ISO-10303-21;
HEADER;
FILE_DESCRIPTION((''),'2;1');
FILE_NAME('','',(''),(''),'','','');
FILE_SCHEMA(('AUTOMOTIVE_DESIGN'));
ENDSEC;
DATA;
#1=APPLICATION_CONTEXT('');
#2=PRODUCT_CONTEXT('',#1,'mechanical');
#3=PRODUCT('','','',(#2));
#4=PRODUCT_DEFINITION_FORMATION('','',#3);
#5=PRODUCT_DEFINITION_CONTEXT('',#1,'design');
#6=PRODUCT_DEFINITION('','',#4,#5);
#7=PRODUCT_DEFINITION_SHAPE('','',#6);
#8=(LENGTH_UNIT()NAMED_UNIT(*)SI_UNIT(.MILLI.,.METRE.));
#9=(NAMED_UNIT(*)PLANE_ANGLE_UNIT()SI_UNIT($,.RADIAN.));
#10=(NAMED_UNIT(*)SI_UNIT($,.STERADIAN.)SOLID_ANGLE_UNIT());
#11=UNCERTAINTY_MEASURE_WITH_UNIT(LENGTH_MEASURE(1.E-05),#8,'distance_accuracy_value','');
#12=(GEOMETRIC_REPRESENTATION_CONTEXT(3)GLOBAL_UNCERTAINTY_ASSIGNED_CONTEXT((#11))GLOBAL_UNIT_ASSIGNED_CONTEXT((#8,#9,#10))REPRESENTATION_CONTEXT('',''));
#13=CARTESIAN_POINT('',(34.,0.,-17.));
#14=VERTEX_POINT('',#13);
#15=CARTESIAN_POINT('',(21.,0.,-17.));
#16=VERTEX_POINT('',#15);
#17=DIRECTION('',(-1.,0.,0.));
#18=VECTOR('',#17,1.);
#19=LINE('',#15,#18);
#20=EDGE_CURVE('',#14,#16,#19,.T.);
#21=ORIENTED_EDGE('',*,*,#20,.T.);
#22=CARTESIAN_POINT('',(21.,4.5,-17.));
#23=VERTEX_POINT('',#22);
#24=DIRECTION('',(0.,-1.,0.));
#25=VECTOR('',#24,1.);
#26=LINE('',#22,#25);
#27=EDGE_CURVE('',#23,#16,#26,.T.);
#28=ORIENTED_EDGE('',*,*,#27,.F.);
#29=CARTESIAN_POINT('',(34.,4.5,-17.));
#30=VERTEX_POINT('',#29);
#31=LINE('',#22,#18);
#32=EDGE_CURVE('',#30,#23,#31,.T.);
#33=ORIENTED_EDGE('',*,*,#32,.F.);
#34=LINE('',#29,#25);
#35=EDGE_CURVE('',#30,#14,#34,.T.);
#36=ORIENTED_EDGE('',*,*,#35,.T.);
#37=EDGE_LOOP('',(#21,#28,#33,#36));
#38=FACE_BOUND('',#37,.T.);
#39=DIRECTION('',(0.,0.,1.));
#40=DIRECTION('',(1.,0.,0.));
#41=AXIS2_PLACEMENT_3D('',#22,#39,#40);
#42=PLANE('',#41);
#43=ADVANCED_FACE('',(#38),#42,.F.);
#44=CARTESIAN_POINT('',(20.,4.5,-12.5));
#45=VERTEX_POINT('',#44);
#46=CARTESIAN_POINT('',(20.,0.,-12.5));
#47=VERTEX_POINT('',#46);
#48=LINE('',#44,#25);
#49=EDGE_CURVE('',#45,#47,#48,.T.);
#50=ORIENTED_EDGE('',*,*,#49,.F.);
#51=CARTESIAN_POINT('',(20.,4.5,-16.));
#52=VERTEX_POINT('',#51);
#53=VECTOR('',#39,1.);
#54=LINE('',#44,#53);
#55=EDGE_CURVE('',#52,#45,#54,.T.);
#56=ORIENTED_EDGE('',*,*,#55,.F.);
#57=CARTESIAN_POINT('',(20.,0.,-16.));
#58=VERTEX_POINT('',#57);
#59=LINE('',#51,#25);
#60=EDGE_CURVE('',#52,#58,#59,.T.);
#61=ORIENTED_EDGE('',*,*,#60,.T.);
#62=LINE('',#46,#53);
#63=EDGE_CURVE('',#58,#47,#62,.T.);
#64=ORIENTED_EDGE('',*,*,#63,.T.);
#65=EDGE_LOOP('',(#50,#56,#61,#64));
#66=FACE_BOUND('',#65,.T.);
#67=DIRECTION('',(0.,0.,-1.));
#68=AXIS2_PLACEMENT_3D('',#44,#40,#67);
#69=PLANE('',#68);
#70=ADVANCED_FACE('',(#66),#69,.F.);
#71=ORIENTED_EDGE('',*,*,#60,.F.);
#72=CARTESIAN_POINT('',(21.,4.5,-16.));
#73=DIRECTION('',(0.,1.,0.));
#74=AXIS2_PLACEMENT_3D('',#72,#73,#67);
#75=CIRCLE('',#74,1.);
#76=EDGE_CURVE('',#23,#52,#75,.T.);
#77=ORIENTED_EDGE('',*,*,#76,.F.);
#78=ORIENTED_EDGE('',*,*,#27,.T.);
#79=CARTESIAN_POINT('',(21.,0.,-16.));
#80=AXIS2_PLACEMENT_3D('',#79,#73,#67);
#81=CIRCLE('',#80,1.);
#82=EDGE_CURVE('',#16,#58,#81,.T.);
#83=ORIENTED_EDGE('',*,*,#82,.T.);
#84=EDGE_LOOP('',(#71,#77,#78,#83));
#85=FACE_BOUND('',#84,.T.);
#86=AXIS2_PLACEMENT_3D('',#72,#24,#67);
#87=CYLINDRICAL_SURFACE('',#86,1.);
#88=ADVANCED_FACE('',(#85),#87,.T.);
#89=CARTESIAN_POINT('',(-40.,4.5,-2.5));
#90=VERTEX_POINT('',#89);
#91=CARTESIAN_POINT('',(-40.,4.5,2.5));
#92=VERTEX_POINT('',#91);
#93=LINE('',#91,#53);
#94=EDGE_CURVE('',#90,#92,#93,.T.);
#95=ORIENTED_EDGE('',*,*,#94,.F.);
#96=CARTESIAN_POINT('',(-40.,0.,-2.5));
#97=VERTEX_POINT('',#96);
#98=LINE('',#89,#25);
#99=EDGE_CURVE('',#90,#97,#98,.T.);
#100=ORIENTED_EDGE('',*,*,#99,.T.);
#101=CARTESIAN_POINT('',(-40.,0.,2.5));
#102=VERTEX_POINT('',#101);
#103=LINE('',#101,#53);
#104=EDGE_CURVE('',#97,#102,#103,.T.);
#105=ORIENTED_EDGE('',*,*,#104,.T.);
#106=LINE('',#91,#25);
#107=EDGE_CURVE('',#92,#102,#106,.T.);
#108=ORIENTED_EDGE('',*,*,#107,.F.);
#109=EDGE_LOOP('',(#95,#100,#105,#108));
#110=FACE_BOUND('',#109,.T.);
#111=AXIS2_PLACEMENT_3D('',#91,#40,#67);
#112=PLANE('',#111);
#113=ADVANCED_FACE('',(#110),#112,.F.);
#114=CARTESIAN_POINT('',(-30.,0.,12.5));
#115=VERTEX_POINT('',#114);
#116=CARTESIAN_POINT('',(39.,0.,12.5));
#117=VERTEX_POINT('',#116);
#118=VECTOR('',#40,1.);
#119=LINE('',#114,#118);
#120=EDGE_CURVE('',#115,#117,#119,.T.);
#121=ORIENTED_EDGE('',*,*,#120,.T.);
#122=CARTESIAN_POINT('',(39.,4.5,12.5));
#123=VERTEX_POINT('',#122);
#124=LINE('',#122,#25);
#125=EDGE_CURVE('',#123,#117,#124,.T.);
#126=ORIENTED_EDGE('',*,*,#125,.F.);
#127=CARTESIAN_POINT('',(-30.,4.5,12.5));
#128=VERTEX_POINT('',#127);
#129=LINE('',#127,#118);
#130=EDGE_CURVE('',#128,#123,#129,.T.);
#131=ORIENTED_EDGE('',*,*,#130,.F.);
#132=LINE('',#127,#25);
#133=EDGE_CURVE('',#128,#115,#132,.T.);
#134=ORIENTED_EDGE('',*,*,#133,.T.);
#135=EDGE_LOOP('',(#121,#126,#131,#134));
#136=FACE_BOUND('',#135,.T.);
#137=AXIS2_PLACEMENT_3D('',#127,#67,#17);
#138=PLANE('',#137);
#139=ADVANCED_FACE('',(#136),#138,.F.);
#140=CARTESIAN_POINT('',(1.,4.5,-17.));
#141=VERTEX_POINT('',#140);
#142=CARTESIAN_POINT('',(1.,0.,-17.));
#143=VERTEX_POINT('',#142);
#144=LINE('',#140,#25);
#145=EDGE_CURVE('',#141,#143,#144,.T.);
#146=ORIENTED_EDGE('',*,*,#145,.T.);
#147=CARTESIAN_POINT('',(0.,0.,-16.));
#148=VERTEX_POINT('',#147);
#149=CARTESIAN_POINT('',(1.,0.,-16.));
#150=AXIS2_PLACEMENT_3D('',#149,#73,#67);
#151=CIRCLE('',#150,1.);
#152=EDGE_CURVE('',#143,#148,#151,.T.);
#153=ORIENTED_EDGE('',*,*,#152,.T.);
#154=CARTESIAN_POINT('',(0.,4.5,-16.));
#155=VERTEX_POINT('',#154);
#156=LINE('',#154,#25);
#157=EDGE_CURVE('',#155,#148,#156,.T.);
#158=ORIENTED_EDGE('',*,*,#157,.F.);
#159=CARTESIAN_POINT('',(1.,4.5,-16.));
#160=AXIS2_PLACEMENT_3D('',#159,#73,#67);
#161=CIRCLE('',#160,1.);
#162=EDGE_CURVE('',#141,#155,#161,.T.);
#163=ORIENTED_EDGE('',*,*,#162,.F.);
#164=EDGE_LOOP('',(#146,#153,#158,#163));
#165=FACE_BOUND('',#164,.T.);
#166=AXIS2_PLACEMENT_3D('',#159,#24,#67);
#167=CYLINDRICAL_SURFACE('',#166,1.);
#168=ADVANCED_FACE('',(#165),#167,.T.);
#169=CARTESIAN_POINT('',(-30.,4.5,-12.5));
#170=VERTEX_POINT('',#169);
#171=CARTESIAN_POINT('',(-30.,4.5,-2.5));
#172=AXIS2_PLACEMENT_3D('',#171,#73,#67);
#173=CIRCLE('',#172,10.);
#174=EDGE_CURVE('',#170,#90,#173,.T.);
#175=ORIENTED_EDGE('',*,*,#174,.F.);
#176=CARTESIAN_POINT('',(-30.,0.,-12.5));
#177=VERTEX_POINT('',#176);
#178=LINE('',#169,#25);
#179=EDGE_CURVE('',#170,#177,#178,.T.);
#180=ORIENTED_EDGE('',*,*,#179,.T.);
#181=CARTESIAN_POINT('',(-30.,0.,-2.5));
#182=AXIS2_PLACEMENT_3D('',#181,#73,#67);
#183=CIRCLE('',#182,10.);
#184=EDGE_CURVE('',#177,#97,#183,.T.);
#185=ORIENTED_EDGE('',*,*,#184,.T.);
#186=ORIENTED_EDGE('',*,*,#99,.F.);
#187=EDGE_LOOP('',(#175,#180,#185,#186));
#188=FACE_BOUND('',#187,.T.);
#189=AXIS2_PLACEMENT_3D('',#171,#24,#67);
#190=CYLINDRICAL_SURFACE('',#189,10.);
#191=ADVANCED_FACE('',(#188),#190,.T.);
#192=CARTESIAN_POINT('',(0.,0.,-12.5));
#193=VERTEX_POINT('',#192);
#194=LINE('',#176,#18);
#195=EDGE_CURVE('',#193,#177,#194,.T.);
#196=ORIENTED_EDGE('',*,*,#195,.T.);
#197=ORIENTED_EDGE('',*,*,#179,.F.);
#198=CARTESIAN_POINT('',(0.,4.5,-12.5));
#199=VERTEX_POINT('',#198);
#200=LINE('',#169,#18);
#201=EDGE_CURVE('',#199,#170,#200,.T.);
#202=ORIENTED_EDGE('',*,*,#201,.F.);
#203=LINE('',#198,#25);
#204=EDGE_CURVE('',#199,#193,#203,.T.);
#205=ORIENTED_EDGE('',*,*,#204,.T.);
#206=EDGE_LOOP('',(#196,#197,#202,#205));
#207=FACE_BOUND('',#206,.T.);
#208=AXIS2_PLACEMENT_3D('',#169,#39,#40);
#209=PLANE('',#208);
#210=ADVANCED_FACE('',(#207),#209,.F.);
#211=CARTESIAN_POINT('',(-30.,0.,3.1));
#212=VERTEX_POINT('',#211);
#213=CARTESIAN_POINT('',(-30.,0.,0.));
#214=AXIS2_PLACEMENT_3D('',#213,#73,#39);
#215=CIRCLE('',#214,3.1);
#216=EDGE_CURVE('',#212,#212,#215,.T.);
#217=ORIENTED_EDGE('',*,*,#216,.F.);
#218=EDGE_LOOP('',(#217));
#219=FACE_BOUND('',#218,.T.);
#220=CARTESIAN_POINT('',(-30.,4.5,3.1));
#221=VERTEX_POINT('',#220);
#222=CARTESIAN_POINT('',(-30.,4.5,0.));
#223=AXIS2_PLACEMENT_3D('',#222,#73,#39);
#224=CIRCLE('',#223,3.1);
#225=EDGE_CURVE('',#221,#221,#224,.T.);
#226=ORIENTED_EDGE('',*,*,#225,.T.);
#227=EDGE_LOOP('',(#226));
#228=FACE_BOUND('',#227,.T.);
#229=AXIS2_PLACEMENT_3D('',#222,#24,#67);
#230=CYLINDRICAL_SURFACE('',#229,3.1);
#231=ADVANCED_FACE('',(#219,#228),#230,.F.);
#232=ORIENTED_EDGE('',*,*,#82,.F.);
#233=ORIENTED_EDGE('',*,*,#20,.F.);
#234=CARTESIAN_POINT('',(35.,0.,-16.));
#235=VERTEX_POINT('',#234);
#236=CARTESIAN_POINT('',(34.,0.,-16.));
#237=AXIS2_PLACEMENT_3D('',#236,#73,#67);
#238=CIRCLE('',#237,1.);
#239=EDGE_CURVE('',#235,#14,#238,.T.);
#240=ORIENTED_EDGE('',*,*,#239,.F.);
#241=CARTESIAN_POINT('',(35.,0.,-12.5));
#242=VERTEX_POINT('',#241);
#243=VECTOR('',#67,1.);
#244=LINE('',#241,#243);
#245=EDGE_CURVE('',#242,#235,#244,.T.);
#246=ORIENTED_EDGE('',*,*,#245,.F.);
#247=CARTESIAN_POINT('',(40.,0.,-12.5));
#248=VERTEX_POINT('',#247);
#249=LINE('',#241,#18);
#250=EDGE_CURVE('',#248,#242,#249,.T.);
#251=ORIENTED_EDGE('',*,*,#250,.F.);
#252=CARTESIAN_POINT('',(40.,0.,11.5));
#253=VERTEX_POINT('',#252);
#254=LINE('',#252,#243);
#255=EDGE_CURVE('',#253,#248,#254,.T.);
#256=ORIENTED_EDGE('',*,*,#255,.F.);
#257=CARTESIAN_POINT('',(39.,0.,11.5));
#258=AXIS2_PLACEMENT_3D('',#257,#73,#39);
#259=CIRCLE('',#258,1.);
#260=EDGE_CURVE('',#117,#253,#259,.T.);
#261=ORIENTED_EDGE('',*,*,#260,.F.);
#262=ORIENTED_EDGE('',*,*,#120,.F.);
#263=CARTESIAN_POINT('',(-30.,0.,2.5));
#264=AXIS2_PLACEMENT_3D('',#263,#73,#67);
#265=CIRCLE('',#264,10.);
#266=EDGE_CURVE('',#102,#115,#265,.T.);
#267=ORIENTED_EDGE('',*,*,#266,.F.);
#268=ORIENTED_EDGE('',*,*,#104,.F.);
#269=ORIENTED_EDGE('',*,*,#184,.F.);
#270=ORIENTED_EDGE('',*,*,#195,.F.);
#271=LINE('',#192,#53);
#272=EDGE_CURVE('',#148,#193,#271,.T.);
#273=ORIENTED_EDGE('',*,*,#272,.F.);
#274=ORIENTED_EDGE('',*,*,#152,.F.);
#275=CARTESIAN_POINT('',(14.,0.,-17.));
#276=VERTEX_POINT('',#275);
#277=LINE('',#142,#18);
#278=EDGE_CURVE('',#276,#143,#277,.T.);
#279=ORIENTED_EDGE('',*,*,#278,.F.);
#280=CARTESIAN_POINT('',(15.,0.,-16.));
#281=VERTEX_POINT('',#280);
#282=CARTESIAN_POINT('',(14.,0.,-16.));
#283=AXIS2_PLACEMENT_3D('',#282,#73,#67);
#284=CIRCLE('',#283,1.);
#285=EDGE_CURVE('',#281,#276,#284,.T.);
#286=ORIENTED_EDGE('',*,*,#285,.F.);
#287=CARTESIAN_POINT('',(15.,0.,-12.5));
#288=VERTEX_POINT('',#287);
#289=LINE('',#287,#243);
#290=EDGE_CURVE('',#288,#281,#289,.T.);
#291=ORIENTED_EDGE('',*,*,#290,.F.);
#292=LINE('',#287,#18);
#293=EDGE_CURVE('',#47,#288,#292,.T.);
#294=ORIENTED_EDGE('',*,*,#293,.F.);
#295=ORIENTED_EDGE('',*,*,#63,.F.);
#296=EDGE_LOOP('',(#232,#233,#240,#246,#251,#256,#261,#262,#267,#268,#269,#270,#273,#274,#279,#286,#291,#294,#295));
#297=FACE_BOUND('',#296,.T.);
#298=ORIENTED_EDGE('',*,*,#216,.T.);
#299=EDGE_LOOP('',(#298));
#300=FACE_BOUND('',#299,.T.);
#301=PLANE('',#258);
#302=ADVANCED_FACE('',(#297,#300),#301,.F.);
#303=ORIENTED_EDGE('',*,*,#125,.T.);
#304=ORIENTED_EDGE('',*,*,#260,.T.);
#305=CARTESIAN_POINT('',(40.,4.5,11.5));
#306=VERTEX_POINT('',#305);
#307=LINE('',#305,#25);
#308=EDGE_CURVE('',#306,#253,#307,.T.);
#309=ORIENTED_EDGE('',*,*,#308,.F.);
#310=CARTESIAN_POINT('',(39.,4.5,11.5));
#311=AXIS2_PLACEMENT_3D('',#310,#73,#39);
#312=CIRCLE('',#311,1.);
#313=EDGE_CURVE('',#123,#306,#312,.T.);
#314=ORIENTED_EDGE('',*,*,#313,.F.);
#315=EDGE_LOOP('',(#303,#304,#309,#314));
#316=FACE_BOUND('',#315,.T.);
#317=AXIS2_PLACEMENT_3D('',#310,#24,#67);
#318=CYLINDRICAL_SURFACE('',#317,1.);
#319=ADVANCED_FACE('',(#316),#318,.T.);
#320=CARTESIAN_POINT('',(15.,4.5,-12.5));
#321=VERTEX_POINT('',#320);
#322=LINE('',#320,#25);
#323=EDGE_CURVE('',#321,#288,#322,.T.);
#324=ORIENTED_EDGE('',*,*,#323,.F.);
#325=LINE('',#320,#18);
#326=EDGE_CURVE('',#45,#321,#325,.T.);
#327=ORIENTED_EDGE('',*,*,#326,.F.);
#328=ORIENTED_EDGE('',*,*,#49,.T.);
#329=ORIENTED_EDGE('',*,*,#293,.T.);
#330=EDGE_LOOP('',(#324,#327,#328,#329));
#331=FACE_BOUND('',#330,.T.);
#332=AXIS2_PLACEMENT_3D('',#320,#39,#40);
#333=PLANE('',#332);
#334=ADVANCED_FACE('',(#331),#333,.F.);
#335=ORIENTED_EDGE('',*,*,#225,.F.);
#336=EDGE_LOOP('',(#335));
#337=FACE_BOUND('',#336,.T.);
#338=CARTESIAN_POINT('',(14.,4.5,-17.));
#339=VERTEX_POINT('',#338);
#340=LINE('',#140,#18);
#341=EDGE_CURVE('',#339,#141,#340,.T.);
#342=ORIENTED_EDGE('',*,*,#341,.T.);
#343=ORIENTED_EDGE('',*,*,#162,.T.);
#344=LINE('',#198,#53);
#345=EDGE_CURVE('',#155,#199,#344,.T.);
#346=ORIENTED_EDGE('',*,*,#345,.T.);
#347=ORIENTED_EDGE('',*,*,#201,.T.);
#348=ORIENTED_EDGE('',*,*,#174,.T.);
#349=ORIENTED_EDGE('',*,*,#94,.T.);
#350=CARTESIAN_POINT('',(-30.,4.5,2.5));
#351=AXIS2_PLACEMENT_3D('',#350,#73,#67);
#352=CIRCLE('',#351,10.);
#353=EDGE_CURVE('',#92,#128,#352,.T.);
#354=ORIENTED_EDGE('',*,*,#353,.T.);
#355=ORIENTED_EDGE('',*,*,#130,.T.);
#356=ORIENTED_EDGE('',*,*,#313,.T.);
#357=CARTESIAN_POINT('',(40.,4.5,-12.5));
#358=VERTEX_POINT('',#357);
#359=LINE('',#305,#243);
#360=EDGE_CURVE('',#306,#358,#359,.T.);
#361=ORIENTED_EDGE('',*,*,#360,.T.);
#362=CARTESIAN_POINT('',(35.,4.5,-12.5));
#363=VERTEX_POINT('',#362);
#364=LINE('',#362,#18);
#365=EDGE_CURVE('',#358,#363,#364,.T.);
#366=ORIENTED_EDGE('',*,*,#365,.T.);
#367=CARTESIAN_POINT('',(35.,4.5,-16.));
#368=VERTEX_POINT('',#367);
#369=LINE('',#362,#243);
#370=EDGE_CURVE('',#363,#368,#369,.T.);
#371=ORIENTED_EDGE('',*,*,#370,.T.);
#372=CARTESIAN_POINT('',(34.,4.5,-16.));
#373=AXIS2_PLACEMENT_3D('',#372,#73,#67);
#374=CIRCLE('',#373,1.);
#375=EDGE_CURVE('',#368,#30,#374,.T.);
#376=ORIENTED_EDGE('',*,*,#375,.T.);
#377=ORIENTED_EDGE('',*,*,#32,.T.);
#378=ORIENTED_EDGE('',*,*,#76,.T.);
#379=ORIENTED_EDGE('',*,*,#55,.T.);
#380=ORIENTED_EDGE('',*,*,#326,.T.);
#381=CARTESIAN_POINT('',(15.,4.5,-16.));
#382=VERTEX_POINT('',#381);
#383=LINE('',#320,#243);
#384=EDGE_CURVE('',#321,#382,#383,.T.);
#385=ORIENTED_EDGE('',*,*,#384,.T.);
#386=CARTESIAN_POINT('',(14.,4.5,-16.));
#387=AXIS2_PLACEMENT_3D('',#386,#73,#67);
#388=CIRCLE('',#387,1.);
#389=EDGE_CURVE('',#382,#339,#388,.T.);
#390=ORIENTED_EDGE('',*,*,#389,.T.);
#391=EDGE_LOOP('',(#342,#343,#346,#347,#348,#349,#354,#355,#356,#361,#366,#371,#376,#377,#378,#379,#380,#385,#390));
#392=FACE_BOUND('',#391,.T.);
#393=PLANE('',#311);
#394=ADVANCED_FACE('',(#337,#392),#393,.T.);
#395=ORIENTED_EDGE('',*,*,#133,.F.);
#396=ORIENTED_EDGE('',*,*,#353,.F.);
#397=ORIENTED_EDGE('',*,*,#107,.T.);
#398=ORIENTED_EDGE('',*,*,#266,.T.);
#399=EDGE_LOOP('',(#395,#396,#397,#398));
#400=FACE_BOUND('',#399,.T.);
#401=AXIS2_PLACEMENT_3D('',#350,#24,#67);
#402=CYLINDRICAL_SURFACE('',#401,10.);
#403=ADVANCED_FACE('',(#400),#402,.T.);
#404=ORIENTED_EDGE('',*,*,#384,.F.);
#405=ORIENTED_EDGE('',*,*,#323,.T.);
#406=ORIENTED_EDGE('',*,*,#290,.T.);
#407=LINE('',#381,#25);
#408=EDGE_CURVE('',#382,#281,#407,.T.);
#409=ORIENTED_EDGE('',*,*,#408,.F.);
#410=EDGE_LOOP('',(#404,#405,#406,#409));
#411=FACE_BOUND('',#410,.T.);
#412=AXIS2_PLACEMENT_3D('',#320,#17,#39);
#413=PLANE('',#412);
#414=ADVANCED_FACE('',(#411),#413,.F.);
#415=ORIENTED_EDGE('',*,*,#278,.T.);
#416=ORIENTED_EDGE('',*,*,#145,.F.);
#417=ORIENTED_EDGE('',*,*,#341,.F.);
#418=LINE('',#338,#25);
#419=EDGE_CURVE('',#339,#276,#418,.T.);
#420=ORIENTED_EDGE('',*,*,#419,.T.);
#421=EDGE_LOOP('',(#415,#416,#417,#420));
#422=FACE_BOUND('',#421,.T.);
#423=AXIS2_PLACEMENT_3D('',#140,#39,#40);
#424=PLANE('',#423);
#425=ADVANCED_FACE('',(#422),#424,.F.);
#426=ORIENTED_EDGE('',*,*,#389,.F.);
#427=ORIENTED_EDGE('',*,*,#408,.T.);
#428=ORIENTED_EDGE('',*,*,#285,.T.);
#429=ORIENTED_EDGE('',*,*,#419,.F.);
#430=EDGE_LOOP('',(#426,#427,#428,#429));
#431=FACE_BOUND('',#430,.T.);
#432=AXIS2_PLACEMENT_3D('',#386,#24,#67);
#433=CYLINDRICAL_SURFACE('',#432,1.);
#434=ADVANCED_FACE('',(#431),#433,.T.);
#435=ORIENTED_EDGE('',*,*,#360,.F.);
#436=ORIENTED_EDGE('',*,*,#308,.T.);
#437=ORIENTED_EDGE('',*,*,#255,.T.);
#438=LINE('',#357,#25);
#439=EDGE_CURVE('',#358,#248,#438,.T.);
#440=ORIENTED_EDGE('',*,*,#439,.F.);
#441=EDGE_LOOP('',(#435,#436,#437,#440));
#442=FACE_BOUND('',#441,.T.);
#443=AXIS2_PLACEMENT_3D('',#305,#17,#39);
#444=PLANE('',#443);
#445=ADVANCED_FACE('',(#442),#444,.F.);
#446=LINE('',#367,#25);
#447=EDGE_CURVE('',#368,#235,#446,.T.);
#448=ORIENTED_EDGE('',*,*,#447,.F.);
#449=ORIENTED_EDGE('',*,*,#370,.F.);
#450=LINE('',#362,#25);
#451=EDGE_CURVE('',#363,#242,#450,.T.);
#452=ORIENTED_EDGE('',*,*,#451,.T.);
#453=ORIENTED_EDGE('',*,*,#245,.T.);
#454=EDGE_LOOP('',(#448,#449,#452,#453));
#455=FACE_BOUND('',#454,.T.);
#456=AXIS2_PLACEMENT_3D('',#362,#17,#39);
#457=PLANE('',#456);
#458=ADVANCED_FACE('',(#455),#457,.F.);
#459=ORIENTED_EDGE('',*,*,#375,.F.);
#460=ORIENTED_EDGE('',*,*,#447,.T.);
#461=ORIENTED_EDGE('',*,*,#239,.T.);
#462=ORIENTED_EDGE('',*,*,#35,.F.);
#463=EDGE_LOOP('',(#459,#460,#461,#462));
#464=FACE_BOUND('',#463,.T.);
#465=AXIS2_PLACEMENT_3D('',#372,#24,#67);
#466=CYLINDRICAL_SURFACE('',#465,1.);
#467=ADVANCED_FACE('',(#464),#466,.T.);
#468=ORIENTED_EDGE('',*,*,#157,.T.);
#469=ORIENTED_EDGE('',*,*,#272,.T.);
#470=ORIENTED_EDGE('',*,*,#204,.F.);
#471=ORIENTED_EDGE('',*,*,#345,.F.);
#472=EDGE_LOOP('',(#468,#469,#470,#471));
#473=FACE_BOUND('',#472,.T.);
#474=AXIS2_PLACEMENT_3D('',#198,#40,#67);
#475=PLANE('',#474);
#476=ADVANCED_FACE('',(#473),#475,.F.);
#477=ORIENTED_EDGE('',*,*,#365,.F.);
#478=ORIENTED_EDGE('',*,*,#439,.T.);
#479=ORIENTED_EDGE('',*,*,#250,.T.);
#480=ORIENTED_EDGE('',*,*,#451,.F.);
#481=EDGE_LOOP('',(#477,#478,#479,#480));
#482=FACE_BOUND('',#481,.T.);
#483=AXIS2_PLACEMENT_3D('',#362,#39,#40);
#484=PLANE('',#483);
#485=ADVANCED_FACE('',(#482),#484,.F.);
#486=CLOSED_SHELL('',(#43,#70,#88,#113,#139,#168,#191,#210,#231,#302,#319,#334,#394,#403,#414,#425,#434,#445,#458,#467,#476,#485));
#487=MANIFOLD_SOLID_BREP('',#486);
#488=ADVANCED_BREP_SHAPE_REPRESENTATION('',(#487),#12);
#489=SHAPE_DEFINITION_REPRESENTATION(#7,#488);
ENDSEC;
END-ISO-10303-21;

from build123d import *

# Parameters (mm, degrees)
SKETCH1_R           = 3.1
BOSS_EXTRUDE1_DEPTH = 4.5


with BuildPart() as part:
    # Sketch1 → Boss-Extrude1 (new body)
    with BuildSketch(Plane(origin=(0, 0, 0), x_dir=(1, 0, 0), z_dir=(0, 1, 0))):
        with BuildLine():
            Line((-30, -12.5), (39, -12.5))
            ThreePointArc((39, -12.5), (39.707106781, -12.207106781), (40, -11.5))
            Line((40, -11.5), (40, 12.5))
            Line((40, 12.5), (35, 12.5))
            Line((35, 12.5), (35, 16))
            ThreePointArc((35, 16), (34.707106781, 16.707106781), (34, 17))
            Line((34, 17), (21, 17))
            ThreePointArc((21, 17), (20.292893219, 16.707106781), (20, 16))
            Line((20, 16), (20, 12.5))
            Line((20, 12.5), (15, 12.5))
            Line((15, 12.5), (15, 16))
            ThreePointArc((15, 16), (14.707106781, 16.707106781), (14, 17))
            Line((14, 17), (1, 17))
            ThreePointArc((1, 17), (0.292893219, 16.707106781), (0, 16))
            Line((0, 16), (0, 12.5))
            Line((0, 12.5), (-30, 12.5))
            ThreePointArc((-30, 12.5), (-37.071067812, 9.571067812), (-40, 2.5))
            Line((-40, 2.5), (-40, -2.5))
            ThreePointArc((-40, -2.5), (-37.071067812, -9.571067812), (-30, -12.5))
        make_face()
        with Locations(Location((-30, 0, 0), (0, 0, 270))):
            Circle(SKETCH1_R, mode=Mode.SUBTRACT)
    extrude(amount=BOSS_EXTRUDE1_DEPTH)


solid = part.part
